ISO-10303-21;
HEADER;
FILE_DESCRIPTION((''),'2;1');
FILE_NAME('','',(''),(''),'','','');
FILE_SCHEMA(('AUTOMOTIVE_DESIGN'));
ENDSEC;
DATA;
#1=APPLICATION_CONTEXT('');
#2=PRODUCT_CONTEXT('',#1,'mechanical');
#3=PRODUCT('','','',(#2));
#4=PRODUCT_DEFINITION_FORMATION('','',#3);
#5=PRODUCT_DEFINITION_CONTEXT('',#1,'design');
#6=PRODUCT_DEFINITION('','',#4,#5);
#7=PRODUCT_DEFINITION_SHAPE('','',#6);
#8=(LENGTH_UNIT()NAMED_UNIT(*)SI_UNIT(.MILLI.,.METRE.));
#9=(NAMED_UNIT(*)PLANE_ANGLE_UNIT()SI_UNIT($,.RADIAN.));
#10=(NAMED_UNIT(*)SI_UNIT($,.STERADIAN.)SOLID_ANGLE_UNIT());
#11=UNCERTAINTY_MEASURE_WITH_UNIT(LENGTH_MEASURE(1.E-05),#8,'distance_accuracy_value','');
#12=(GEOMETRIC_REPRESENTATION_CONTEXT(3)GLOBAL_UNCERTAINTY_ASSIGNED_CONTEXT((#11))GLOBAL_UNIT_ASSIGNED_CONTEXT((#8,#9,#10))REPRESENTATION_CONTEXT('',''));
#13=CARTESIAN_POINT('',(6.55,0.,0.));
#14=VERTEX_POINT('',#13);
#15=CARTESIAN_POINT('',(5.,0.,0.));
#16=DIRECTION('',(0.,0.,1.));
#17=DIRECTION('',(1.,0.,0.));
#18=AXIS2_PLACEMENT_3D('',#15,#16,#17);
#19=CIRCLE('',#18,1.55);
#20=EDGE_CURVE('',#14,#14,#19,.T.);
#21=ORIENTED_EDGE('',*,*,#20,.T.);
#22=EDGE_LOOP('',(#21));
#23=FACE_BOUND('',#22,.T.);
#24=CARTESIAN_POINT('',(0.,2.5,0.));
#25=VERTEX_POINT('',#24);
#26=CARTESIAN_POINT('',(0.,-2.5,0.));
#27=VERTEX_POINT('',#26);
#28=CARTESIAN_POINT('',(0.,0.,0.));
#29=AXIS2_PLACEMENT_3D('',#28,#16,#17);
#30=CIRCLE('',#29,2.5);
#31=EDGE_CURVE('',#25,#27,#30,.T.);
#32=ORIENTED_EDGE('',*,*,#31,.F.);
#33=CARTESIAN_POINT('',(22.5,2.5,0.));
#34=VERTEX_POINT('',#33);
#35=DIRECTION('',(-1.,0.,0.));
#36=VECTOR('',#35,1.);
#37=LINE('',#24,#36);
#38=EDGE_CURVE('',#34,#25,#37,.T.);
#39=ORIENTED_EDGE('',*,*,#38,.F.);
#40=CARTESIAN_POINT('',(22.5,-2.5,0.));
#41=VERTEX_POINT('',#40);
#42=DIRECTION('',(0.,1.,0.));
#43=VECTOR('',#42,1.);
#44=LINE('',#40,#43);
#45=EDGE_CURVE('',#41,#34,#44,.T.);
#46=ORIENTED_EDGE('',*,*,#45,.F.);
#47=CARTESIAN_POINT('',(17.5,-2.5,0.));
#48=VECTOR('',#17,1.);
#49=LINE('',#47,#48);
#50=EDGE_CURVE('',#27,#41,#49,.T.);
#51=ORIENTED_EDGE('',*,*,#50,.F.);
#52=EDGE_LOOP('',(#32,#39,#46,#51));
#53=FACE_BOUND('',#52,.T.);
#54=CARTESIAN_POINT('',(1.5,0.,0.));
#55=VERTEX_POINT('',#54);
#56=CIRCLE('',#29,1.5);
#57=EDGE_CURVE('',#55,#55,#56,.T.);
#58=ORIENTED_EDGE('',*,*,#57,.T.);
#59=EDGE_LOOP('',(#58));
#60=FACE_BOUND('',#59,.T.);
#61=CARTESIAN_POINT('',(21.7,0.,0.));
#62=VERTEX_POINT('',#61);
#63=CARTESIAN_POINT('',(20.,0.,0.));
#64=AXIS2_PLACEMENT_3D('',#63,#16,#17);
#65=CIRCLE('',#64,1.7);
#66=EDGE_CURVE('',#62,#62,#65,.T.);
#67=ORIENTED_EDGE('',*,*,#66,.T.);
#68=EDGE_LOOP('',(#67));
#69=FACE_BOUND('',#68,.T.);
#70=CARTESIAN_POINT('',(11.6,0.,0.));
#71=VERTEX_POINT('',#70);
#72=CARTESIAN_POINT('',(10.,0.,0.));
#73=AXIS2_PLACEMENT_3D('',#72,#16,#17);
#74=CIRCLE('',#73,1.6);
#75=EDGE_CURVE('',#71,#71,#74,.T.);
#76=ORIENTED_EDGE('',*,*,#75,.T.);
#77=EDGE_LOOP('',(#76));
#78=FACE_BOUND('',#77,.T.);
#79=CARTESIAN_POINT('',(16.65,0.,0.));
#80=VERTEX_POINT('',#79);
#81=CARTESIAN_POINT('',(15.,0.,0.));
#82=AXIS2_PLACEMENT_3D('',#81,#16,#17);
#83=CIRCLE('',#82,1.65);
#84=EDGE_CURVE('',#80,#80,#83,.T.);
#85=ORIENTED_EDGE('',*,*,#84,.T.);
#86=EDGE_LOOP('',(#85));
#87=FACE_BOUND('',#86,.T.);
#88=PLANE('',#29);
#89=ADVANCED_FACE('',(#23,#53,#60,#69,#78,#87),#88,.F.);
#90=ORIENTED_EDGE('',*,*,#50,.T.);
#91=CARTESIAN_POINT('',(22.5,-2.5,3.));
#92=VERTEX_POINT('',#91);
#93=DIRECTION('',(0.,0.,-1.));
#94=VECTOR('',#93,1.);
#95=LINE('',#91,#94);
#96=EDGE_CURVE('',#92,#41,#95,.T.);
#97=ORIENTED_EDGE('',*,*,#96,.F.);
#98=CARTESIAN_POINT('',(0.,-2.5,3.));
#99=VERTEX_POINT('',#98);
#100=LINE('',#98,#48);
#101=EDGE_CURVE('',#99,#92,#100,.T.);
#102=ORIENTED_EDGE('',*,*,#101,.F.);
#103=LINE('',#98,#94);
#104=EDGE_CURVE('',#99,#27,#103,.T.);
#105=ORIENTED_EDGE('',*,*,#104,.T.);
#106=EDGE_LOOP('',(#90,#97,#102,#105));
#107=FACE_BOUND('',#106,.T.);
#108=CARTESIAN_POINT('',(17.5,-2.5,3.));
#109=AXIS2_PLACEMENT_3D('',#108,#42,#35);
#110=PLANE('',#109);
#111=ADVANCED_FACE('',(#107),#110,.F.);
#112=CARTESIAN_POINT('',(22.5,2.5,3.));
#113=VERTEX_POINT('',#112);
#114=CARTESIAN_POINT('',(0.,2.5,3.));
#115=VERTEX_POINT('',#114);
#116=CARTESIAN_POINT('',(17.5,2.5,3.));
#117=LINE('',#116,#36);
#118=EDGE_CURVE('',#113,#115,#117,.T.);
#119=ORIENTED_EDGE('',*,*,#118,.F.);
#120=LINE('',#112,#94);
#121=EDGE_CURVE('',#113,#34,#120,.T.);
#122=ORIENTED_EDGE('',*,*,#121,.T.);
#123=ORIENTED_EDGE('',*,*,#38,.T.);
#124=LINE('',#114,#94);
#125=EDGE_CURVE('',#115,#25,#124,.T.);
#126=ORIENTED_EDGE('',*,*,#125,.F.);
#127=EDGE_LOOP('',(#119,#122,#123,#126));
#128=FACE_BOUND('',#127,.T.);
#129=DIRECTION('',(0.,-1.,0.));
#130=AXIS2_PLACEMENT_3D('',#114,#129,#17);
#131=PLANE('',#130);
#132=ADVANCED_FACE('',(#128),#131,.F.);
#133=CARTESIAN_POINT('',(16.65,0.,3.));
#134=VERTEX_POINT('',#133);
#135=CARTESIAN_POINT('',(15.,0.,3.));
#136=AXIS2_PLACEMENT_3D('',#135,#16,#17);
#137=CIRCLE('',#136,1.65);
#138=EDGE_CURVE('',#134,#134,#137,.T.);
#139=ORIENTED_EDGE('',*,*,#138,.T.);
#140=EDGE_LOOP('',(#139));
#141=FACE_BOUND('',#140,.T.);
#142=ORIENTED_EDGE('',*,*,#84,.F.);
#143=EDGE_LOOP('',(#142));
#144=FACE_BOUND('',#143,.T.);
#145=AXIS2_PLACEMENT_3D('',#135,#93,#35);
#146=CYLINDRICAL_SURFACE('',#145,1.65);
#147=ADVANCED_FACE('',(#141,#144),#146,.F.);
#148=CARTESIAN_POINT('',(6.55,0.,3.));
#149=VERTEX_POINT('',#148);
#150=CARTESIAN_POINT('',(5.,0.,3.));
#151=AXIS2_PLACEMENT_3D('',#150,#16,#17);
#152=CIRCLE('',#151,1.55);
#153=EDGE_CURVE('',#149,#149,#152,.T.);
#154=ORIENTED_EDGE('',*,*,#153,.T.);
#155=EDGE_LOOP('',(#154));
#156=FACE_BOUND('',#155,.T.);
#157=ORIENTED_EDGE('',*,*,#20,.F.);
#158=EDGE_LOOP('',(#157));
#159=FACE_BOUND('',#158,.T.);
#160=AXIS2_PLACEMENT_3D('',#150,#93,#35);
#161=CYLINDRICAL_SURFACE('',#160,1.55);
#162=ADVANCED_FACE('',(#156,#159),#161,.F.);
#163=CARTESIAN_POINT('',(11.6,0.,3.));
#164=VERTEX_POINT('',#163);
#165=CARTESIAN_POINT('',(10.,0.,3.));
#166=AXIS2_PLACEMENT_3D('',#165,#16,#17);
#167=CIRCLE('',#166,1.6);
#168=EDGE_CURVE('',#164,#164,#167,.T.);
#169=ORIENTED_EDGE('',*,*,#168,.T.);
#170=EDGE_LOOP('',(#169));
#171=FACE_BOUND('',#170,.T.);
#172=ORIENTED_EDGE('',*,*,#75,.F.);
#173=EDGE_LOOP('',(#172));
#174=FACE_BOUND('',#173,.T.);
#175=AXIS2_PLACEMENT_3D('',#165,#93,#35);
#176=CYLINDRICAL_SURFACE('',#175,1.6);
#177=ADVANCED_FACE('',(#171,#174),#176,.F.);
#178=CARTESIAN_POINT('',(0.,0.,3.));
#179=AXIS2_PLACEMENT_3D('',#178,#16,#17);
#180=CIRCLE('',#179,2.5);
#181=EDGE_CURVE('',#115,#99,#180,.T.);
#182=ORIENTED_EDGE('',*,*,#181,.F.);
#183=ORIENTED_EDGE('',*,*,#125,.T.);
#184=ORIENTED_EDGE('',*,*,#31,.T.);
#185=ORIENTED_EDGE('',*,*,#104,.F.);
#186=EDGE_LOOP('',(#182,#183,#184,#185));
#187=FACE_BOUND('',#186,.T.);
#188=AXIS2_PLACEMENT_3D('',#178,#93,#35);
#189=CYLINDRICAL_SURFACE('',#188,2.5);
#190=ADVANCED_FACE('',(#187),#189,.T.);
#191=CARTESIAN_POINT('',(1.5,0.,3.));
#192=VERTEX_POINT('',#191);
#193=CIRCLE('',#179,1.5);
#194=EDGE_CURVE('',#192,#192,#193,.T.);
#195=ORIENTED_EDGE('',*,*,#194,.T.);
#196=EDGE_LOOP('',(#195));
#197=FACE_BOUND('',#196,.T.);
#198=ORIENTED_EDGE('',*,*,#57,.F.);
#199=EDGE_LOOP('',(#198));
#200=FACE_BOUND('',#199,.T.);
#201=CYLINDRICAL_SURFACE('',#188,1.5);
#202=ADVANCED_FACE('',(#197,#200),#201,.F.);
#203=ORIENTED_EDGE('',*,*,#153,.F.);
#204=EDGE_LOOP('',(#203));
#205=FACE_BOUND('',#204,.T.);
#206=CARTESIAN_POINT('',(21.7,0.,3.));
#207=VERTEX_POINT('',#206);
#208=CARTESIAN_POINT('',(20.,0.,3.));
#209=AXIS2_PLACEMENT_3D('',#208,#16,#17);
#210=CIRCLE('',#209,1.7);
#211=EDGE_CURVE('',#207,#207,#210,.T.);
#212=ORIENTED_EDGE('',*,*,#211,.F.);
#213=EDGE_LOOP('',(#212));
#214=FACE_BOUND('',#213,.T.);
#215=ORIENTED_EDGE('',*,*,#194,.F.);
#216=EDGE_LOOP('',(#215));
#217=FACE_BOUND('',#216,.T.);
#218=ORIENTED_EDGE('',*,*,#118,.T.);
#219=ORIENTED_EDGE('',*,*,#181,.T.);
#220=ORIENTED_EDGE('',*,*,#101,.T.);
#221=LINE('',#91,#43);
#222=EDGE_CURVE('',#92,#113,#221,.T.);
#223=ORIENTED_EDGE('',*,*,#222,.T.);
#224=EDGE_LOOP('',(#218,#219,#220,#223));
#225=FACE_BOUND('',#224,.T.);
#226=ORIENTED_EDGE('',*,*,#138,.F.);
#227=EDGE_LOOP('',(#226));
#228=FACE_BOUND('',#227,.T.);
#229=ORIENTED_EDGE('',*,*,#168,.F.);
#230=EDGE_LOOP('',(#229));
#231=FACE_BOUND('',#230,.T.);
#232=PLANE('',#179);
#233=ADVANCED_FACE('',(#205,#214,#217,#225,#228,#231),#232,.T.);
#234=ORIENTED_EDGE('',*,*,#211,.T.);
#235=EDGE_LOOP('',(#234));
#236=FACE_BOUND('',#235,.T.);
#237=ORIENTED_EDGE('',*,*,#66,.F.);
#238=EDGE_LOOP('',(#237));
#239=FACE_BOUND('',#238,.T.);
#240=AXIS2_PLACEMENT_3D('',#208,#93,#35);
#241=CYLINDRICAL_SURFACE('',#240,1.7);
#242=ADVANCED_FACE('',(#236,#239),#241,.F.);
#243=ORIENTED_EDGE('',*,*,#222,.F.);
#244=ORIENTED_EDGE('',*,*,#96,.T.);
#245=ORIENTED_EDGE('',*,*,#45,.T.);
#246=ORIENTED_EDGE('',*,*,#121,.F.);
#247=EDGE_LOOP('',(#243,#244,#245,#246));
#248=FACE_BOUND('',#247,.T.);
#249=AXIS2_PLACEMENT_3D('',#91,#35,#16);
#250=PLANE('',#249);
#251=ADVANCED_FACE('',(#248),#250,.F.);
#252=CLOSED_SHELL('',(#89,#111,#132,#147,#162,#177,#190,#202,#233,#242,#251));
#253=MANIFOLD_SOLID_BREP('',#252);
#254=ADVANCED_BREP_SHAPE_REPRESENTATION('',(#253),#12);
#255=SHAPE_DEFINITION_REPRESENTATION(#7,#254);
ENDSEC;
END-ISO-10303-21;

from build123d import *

# Parameters (mm, degrees)
SKETCH_1_R      = 1.5
SKETCH_1_R_2    = 1.55
SKETCH_1_R_3    = 1.6
SKETCH_1_R_4    = 1.65
SKETCH_1_R_5    = 1.7
EXTRUDE_1_DEPTH = 3


with BuildPart() as part:
    # 草图1 → 凸台-拉伸1 (new body)
    with BuildSketch(Plane.XY):
        with BuildLine():
            Line((0, 2.5), (17.5, 2.5))
            Line((17.5, 2.5), (22.5, 2.5))
            Line((22.5, 2.5), (22.5, -2.5))
            Line((22.5, -2.5), (17.5, -2.5))
            Line((17.5, -2.5), (0, -2.5))
            ThreePointArc((0, -2.5), (-2.5, 0), (0, 2.5))
        make_face()
        Circle(SKETCH_1_R, mode=Mode.SUBTRACT)
        with Locations((5, 0)):
            Circle(SKETCH_1_R_2, mode=Mode.SUBTRACT)
        with Locations((10, 0)):
            Circle(SKETCH_1_R_3, mode=Mode.SUBTRACT)
        with Locations((15, 0)):
            Circle(SKETCH_1_R_4, mode=Mode.SUBTRACT)
        with Locations((20, 0)):
            Circle(SKETCH_1_R_5, mode=Mode.SUBTRACT)
    extrude(amount=EXTRUDE_1_DEPTH)


solid = part.part
